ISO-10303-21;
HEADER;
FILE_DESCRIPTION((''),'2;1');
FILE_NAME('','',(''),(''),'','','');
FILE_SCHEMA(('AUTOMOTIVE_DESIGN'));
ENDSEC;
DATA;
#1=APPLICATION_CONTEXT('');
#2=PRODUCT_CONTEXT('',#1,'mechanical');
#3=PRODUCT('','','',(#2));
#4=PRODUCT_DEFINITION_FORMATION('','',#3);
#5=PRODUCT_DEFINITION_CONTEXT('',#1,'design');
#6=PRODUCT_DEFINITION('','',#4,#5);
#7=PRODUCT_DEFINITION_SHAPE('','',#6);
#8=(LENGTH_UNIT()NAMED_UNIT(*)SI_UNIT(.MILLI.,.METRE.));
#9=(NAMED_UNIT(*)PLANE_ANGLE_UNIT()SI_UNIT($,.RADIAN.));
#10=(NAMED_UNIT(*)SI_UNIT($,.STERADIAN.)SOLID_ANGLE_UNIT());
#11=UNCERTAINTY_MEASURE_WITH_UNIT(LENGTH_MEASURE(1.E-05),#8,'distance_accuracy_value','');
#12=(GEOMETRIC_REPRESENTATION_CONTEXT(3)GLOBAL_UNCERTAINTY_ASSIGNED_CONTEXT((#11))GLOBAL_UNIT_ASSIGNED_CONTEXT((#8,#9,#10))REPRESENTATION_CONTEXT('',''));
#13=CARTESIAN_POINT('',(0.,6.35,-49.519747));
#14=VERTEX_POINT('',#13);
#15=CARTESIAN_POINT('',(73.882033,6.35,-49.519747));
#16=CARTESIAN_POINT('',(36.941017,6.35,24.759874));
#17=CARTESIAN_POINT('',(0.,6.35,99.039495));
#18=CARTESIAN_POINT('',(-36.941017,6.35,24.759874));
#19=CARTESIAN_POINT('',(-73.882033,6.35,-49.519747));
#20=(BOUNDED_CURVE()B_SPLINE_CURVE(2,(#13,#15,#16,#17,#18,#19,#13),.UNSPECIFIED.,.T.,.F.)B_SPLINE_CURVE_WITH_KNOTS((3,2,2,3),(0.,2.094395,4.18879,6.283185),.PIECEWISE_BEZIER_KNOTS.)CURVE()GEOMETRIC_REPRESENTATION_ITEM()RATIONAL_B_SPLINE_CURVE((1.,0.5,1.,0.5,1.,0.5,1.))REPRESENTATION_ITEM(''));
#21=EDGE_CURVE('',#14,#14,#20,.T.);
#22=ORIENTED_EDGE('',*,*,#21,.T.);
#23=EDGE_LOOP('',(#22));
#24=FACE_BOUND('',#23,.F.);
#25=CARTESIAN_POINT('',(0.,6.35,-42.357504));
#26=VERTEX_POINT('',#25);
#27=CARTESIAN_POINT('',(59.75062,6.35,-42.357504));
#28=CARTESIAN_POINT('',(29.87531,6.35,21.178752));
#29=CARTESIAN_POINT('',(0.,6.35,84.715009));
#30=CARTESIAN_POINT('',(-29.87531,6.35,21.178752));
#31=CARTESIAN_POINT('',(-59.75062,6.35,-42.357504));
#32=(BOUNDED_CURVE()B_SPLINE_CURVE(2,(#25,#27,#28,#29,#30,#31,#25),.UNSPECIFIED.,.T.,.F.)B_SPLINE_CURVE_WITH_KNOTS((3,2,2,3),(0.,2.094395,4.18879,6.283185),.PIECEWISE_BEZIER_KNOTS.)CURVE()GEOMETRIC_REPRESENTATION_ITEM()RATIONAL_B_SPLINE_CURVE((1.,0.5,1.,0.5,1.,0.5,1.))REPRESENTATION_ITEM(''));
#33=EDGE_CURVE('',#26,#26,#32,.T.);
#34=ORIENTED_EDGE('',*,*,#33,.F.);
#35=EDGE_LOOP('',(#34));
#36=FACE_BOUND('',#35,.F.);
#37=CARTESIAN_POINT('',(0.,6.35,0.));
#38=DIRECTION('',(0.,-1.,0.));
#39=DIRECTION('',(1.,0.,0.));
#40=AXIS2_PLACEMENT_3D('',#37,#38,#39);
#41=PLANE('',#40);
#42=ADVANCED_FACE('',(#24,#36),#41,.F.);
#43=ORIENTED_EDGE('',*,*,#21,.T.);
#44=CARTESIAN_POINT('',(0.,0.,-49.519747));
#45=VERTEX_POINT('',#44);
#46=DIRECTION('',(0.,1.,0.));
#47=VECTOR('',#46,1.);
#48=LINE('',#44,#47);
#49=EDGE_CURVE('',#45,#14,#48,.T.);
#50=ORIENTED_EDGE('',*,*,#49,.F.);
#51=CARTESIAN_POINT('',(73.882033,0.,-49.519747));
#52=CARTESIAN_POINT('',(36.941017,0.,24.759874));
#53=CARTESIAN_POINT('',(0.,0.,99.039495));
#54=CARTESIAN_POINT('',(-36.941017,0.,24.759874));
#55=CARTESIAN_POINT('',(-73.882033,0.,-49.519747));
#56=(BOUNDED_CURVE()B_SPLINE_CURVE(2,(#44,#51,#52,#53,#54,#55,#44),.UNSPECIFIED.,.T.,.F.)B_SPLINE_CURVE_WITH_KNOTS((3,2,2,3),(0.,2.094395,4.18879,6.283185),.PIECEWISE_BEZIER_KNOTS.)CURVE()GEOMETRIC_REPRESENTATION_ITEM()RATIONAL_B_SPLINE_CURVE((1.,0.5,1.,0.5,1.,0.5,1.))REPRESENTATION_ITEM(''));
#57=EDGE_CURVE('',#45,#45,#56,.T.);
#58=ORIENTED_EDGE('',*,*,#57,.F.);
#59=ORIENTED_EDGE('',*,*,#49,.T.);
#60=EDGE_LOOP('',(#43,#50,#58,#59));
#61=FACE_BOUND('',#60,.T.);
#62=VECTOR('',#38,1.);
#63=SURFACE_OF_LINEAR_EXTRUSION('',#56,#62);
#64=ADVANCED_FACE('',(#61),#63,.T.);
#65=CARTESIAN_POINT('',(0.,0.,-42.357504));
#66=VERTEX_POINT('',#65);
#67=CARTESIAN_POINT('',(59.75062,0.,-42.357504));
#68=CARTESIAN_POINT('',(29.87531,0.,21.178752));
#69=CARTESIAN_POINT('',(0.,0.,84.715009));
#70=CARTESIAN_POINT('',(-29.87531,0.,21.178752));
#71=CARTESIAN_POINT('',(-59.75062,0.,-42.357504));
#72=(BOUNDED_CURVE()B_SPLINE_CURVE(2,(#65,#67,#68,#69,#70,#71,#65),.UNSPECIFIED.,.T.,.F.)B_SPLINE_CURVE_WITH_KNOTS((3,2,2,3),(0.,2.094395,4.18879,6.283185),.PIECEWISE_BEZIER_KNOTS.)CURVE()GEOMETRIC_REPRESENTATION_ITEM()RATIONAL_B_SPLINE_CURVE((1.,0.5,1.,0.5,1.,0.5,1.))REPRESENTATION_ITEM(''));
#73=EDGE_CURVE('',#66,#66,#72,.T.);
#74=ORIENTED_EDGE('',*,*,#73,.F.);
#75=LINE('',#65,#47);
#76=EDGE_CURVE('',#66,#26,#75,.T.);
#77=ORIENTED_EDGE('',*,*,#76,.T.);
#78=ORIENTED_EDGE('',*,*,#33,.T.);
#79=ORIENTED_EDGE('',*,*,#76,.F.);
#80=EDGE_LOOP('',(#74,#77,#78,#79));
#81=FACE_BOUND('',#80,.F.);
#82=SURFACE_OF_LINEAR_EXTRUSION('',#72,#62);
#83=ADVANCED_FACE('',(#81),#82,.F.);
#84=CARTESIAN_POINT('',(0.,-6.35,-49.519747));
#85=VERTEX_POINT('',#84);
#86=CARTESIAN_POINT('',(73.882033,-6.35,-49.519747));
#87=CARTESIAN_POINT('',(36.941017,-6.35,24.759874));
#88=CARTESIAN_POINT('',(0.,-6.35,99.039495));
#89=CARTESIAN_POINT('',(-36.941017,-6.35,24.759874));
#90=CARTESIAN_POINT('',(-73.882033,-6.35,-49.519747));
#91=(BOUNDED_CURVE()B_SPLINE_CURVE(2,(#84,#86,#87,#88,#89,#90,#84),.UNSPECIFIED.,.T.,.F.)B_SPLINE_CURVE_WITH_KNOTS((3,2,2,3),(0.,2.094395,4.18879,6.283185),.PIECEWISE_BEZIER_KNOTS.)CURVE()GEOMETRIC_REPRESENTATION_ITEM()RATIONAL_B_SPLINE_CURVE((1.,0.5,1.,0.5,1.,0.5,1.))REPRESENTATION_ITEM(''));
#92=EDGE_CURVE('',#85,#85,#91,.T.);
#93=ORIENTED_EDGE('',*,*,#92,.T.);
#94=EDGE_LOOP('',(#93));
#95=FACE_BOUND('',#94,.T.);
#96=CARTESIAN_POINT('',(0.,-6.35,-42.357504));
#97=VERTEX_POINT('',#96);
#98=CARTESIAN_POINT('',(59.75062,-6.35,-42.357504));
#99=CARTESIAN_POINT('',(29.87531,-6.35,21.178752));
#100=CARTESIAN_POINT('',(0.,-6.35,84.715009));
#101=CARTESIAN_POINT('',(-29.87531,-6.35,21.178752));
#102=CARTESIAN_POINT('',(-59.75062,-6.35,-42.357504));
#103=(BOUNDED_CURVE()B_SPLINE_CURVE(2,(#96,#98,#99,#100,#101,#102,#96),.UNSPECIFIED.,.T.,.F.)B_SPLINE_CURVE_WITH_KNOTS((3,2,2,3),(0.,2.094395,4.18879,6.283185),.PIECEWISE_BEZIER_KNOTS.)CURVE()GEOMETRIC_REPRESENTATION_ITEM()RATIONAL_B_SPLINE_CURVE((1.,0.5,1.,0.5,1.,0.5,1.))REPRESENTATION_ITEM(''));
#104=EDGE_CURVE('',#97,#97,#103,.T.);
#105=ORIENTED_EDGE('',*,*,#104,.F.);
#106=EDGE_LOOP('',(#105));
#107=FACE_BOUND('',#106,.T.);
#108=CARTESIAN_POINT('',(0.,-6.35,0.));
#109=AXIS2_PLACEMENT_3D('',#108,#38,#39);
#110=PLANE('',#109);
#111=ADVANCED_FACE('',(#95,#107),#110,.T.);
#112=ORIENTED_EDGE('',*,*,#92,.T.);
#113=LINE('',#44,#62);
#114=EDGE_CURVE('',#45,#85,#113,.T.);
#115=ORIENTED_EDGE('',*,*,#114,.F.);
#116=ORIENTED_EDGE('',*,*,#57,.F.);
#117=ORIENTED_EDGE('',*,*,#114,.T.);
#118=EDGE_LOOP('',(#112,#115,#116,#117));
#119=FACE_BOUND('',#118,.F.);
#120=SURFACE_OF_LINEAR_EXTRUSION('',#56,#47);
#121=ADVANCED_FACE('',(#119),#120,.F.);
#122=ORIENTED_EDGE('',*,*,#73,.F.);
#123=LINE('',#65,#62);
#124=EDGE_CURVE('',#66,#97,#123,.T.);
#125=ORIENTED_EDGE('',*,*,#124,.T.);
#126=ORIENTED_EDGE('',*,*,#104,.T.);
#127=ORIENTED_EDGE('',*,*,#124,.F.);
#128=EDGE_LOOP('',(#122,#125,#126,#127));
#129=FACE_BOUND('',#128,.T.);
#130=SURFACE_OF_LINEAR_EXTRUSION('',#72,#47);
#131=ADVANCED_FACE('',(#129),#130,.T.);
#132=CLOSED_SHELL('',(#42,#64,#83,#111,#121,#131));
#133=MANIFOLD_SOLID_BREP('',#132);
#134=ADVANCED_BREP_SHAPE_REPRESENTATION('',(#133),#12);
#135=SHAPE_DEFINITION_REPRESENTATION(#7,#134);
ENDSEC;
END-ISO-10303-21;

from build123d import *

# Parameters (mm, degrees)
F1_DEPTH = 6.35


with BuildPart() as f1:
    # F0 (on Front) → F1 (new body, symmetric)
    with BuildSketch(Plane.XZ):
        with BuildLine():
            add(Edge.make_bspline(
                [(0, -49.519747), (73.882033, -49.519747), (36.941017, 24.759874), (0, 99.039495), (-36.941017, 24.759874), (-73.882033, -49.519747), (0, -49.519747)],
                knots=[0, 0, 0, 2.094395, 2.094395, 4.18879, 4.18879, 6.283185, 6.283185, 6.283185], degree=2, weights=[1, 0.5, 1, 0.5, 1, 0.5, 1]))
        make_face()
        with BuildLine():
            add(Edge.make_bspline(
                [(0, -42.357504), (59.75062, -42.357504), (29.87531, 21.178752), (0, 84.715009), (-29.87531, 21.178752), (-59.75062, -42.357504), (0, -42.357504)],
                knots=[0, 0, 0, 2.094395, 2.094395, 4.18879, 4.18879, 6.283185, 6.283185, 6.283185], degree=2, weights=[1, 0.5, 1, 0.5, 1, 0.5, 1]))
        make_face(mode=Mode.SUBTRACT)
    extrude(amount=F1_DEPTH, both=True)


solid = f1.part
